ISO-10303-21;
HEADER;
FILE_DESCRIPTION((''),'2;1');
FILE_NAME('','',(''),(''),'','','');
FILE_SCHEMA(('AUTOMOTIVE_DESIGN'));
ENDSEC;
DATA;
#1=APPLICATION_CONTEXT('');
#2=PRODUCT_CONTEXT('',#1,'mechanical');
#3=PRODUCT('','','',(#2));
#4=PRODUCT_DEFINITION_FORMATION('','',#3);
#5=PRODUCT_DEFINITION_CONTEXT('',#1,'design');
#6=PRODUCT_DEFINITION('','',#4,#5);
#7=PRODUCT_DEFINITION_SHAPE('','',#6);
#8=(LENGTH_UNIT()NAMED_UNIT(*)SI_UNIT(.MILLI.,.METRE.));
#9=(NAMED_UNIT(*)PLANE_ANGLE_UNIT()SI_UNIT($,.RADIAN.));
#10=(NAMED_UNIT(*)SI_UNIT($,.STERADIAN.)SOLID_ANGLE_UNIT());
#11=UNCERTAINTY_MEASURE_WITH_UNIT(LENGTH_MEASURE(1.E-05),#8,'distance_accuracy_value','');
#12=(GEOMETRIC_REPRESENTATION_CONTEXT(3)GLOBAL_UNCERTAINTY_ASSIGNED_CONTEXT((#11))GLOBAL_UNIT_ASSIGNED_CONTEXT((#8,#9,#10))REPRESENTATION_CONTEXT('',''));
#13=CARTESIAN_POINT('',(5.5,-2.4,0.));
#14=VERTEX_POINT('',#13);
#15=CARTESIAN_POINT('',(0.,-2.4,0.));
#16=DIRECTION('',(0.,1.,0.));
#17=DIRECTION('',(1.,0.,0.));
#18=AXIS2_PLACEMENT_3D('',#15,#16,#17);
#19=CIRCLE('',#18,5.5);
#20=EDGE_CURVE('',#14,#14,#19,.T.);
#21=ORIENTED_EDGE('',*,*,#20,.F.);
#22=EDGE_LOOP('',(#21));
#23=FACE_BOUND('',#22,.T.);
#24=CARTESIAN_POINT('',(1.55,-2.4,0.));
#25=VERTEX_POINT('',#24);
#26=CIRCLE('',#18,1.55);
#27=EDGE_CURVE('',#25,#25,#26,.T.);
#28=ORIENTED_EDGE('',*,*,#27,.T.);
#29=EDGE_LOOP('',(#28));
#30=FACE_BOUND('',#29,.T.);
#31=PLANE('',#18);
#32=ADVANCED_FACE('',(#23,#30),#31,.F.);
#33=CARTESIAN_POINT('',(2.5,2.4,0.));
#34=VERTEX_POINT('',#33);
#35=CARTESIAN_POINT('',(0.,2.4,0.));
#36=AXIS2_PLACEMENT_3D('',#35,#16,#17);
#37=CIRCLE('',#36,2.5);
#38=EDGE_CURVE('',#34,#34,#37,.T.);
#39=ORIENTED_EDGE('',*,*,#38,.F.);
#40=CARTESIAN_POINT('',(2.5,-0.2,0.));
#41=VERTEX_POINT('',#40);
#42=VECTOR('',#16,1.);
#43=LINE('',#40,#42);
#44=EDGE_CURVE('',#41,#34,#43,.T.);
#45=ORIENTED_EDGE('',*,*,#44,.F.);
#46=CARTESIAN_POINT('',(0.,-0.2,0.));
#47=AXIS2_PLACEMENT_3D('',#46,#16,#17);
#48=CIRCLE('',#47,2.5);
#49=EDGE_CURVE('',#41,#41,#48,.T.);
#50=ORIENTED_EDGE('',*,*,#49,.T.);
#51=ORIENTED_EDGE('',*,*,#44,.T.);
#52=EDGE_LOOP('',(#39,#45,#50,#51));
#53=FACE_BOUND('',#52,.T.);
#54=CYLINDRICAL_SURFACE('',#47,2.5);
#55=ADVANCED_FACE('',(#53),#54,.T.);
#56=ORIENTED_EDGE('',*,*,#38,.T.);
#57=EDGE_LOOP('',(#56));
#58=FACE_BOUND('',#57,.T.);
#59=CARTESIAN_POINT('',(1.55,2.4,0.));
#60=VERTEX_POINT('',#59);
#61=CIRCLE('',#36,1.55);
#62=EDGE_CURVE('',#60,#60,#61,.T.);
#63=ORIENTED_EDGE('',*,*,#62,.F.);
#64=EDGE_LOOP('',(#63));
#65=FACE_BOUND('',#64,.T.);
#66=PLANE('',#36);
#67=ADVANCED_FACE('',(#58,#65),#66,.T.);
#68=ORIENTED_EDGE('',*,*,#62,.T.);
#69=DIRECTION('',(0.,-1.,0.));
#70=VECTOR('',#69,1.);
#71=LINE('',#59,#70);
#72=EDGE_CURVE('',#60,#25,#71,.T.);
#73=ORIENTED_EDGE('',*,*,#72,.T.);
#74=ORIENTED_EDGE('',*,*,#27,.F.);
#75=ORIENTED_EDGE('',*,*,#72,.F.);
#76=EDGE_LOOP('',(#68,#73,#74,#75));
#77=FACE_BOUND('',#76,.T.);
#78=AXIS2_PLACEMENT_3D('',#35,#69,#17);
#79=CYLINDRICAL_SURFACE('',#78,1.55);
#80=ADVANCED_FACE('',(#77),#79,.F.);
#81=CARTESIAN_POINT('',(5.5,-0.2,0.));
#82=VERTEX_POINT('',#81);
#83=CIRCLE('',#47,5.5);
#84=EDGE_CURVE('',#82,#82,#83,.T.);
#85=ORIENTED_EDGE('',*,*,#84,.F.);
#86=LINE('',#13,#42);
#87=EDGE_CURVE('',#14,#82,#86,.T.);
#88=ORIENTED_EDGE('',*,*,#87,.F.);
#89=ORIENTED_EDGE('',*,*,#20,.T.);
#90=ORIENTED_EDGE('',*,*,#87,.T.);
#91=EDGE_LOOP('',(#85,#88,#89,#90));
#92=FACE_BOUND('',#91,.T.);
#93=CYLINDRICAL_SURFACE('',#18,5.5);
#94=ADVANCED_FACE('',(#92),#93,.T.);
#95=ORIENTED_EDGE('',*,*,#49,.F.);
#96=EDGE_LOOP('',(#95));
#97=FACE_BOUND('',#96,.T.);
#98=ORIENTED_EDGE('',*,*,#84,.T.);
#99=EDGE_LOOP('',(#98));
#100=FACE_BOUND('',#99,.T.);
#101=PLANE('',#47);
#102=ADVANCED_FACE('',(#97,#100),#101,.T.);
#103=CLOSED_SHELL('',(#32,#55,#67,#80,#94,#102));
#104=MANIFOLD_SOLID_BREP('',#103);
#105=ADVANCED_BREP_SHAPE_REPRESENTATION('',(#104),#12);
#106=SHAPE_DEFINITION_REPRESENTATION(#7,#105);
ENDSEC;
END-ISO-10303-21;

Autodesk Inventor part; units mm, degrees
ref_plane "YZ Plane" through (0, 0, 0) normal (1, 0, 0) x (0, 1, 0)
ref_plane "XZ Plane" through (0, 0, 0) normal (0, 1, 0) x (-1, 0, 0)
ref_plane "XY Plane" through (0, 0, 0) normal (0, 0, 1) x (1, 0, 0)
sketch "スケッチ1" plane through (0, 0, 0) normal (0, 0, 1) x (1, 0, 0)
  line L0 (1.55, 2.4) -> (1.55, -2.4)
  line L1 (1.55, -2.4) -> (5.5, -2.4)
  line L2 (5.5, -2.4) -> (5.5, -0.2)
  line L3 (5.5, -0.2) -> (2.5, -0.2)
  line L4 (2.5, -0.2) -> (2.5, 2.4)
  line L5 (2.5, 2.4) -> (1.55, 2.4)
  line L6 (0, -3.36) -> (0, 3.36) projected
  point P0 (0, 0)
  point P1 (1.55, 0)
  dimension "d0" = 1.55
  dimension "d1" = 2.5
  dimension "d2" = 2.6
  dimension "d3" = 5.5
  dimension "d4" = 2.2
revolve "回転1" add sketch "スケッチ1" angle 360 about axis through (0, -10, 0) along (0, 1, 0)
properties part number "足裏_サブフレーム_1_2" material "アセタール樹脂、黒"
